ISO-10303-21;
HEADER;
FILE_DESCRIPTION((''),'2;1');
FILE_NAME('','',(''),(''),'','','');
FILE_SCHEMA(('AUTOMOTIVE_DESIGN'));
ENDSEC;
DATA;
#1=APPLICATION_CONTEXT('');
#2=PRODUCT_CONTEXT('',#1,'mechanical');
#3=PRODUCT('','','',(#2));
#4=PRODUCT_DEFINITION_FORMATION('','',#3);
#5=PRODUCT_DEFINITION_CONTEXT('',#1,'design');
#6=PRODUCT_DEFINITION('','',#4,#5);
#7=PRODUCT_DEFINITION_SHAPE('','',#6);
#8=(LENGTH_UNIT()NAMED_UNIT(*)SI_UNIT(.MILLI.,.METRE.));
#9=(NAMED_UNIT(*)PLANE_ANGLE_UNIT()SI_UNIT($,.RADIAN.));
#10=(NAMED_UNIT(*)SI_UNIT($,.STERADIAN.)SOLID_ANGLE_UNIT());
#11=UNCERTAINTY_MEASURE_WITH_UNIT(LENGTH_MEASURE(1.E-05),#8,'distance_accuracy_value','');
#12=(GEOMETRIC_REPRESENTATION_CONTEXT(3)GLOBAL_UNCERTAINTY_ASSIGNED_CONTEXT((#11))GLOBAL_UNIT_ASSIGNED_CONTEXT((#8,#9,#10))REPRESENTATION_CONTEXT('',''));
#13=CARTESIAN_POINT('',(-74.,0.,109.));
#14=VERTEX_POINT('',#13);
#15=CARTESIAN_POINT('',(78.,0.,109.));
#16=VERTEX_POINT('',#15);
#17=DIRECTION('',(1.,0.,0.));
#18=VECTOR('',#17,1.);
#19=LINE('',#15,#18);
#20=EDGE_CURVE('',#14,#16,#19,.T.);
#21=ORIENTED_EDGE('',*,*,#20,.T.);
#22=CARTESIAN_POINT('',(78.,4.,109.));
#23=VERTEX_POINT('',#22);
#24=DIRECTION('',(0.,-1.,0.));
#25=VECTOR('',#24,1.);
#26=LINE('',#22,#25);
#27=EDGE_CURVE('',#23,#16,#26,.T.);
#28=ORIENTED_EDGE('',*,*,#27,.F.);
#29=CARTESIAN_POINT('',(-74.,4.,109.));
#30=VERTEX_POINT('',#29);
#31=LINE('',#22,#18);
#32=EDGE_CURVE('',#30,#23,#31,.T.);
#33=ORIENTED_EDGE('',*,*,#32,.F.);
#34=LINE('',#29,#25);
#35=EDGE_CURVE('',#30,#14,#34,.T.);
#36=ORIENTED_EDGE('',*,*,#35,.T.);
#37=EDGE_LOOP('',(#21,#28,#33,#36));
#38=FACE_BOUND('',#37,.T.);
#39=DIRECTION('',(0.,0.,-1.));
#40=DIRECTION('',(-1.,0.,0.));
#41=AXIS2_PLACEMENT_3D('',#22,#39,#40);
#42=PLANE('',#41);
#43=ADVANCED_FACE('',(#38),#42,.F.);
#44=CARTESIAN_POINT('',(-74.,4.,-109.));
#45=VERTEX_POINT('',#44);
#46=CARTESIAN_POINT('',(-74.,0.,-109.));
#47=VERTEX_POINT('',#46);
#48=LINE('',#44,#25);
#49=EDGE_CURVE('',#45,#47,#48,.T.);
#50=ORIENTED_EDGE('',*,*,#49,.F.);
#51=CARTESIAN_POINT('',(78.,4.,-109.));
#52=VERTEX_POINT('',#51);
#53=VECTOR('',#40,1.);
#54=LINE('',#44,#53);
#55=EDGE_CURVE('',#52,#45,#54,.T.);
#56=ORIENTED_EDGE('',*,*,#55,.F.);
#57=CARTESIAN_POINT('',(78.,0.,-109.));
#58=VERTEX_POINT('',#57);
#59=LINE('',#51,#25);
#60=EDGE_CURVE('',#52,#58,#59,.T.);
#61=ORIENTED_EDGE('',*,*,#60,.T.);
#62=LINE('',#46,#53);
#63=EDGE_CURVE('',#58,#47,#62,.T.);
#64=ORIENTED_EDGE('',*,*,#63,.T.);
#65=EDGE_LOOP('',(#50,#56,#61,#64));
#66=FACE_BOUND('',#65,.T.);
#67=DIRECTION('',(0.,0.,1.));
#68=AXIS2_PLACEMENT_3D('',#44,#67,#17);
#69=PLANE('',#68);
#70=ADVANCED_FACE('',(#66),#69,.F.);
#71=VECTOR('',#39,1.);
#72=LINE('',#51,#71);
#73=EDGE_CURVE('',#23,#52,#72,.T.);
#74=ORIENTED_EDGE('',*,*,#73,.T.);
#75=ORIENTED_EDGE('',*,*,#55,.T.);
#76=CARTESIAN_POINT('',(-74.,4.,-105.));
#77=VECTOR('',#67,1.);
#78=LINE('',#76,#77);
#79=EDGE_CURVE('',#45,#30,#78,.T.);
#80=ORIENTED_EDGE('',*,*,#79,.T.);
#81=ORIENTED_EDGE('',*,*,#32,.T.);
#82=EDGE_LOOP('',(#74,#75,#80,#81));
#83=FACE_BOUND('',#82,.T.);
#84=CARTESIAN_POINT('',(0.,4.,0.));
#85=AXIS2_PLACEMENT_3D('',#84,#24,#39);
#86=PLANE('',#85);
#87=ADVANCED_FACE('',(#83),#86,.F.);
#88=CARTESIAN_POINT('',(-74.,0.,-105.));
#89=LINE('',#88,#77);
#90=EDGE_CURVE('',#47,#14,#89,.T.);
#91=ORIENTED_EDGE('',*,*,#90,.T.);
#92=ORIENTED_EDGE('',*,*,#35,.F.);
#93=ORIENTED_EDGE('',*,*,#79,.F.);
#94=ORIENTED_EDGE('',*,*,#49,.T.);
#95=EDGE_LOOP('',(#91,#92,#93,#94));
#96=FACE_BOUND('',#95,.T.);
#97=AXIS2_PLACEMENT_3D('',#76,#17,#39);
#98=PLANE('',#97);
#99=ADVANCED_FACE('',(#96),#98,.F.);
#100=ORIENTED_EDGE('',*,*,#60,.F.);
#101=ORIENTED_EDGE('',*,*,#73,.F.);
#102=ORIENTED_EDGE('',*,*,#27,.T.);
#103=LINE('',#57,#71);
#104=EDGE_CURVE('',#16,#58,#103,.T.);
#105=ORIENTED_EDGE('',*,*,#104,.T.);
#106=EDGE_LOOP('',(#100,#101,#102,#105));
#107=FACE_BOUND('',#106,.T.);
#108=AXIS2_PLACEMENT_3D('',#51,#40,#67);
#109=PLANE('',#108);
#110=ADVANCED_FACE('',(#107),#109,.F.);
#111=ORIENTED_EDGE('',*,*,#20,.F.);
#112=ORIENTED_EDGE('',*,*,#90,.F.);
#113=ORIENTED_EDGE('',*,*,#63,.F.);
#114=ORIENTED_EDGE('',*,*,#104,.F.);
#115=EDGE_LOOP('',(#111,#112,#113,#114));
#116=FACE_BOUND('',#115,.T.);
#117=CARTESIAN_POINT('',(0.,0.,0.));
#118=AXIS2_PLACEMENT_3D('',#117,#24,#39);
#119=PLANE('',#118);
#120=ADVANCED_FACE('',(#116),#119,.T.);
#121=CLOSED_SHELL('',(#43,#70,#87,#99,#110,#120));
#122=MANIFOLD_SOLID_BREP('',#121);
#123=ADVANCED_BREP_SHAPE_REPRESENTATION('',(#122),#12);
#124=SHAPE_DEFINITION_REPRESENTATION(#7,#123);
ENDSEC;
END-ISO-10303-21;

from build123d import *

# Parameters (mm, degrees)
BOSS_EXTRUDE1_DEPTH = 4


with BuildPart() as part:
    # Sketch1 → Boss-Extrude1 (new body)
    with BuildSketch(Plane(origin=(0, 0, 0), x_dir=(1, 0, 0), z_dir=(0, 1, 0))):
        Polygon((-74, 105), (-74, 109), (78, 109), (78, -109), (-74, -109), (-74, -105), align=None)
    extrude(amount=BOSS_EXTRUDE1_DEPTH)


solid = part.part
